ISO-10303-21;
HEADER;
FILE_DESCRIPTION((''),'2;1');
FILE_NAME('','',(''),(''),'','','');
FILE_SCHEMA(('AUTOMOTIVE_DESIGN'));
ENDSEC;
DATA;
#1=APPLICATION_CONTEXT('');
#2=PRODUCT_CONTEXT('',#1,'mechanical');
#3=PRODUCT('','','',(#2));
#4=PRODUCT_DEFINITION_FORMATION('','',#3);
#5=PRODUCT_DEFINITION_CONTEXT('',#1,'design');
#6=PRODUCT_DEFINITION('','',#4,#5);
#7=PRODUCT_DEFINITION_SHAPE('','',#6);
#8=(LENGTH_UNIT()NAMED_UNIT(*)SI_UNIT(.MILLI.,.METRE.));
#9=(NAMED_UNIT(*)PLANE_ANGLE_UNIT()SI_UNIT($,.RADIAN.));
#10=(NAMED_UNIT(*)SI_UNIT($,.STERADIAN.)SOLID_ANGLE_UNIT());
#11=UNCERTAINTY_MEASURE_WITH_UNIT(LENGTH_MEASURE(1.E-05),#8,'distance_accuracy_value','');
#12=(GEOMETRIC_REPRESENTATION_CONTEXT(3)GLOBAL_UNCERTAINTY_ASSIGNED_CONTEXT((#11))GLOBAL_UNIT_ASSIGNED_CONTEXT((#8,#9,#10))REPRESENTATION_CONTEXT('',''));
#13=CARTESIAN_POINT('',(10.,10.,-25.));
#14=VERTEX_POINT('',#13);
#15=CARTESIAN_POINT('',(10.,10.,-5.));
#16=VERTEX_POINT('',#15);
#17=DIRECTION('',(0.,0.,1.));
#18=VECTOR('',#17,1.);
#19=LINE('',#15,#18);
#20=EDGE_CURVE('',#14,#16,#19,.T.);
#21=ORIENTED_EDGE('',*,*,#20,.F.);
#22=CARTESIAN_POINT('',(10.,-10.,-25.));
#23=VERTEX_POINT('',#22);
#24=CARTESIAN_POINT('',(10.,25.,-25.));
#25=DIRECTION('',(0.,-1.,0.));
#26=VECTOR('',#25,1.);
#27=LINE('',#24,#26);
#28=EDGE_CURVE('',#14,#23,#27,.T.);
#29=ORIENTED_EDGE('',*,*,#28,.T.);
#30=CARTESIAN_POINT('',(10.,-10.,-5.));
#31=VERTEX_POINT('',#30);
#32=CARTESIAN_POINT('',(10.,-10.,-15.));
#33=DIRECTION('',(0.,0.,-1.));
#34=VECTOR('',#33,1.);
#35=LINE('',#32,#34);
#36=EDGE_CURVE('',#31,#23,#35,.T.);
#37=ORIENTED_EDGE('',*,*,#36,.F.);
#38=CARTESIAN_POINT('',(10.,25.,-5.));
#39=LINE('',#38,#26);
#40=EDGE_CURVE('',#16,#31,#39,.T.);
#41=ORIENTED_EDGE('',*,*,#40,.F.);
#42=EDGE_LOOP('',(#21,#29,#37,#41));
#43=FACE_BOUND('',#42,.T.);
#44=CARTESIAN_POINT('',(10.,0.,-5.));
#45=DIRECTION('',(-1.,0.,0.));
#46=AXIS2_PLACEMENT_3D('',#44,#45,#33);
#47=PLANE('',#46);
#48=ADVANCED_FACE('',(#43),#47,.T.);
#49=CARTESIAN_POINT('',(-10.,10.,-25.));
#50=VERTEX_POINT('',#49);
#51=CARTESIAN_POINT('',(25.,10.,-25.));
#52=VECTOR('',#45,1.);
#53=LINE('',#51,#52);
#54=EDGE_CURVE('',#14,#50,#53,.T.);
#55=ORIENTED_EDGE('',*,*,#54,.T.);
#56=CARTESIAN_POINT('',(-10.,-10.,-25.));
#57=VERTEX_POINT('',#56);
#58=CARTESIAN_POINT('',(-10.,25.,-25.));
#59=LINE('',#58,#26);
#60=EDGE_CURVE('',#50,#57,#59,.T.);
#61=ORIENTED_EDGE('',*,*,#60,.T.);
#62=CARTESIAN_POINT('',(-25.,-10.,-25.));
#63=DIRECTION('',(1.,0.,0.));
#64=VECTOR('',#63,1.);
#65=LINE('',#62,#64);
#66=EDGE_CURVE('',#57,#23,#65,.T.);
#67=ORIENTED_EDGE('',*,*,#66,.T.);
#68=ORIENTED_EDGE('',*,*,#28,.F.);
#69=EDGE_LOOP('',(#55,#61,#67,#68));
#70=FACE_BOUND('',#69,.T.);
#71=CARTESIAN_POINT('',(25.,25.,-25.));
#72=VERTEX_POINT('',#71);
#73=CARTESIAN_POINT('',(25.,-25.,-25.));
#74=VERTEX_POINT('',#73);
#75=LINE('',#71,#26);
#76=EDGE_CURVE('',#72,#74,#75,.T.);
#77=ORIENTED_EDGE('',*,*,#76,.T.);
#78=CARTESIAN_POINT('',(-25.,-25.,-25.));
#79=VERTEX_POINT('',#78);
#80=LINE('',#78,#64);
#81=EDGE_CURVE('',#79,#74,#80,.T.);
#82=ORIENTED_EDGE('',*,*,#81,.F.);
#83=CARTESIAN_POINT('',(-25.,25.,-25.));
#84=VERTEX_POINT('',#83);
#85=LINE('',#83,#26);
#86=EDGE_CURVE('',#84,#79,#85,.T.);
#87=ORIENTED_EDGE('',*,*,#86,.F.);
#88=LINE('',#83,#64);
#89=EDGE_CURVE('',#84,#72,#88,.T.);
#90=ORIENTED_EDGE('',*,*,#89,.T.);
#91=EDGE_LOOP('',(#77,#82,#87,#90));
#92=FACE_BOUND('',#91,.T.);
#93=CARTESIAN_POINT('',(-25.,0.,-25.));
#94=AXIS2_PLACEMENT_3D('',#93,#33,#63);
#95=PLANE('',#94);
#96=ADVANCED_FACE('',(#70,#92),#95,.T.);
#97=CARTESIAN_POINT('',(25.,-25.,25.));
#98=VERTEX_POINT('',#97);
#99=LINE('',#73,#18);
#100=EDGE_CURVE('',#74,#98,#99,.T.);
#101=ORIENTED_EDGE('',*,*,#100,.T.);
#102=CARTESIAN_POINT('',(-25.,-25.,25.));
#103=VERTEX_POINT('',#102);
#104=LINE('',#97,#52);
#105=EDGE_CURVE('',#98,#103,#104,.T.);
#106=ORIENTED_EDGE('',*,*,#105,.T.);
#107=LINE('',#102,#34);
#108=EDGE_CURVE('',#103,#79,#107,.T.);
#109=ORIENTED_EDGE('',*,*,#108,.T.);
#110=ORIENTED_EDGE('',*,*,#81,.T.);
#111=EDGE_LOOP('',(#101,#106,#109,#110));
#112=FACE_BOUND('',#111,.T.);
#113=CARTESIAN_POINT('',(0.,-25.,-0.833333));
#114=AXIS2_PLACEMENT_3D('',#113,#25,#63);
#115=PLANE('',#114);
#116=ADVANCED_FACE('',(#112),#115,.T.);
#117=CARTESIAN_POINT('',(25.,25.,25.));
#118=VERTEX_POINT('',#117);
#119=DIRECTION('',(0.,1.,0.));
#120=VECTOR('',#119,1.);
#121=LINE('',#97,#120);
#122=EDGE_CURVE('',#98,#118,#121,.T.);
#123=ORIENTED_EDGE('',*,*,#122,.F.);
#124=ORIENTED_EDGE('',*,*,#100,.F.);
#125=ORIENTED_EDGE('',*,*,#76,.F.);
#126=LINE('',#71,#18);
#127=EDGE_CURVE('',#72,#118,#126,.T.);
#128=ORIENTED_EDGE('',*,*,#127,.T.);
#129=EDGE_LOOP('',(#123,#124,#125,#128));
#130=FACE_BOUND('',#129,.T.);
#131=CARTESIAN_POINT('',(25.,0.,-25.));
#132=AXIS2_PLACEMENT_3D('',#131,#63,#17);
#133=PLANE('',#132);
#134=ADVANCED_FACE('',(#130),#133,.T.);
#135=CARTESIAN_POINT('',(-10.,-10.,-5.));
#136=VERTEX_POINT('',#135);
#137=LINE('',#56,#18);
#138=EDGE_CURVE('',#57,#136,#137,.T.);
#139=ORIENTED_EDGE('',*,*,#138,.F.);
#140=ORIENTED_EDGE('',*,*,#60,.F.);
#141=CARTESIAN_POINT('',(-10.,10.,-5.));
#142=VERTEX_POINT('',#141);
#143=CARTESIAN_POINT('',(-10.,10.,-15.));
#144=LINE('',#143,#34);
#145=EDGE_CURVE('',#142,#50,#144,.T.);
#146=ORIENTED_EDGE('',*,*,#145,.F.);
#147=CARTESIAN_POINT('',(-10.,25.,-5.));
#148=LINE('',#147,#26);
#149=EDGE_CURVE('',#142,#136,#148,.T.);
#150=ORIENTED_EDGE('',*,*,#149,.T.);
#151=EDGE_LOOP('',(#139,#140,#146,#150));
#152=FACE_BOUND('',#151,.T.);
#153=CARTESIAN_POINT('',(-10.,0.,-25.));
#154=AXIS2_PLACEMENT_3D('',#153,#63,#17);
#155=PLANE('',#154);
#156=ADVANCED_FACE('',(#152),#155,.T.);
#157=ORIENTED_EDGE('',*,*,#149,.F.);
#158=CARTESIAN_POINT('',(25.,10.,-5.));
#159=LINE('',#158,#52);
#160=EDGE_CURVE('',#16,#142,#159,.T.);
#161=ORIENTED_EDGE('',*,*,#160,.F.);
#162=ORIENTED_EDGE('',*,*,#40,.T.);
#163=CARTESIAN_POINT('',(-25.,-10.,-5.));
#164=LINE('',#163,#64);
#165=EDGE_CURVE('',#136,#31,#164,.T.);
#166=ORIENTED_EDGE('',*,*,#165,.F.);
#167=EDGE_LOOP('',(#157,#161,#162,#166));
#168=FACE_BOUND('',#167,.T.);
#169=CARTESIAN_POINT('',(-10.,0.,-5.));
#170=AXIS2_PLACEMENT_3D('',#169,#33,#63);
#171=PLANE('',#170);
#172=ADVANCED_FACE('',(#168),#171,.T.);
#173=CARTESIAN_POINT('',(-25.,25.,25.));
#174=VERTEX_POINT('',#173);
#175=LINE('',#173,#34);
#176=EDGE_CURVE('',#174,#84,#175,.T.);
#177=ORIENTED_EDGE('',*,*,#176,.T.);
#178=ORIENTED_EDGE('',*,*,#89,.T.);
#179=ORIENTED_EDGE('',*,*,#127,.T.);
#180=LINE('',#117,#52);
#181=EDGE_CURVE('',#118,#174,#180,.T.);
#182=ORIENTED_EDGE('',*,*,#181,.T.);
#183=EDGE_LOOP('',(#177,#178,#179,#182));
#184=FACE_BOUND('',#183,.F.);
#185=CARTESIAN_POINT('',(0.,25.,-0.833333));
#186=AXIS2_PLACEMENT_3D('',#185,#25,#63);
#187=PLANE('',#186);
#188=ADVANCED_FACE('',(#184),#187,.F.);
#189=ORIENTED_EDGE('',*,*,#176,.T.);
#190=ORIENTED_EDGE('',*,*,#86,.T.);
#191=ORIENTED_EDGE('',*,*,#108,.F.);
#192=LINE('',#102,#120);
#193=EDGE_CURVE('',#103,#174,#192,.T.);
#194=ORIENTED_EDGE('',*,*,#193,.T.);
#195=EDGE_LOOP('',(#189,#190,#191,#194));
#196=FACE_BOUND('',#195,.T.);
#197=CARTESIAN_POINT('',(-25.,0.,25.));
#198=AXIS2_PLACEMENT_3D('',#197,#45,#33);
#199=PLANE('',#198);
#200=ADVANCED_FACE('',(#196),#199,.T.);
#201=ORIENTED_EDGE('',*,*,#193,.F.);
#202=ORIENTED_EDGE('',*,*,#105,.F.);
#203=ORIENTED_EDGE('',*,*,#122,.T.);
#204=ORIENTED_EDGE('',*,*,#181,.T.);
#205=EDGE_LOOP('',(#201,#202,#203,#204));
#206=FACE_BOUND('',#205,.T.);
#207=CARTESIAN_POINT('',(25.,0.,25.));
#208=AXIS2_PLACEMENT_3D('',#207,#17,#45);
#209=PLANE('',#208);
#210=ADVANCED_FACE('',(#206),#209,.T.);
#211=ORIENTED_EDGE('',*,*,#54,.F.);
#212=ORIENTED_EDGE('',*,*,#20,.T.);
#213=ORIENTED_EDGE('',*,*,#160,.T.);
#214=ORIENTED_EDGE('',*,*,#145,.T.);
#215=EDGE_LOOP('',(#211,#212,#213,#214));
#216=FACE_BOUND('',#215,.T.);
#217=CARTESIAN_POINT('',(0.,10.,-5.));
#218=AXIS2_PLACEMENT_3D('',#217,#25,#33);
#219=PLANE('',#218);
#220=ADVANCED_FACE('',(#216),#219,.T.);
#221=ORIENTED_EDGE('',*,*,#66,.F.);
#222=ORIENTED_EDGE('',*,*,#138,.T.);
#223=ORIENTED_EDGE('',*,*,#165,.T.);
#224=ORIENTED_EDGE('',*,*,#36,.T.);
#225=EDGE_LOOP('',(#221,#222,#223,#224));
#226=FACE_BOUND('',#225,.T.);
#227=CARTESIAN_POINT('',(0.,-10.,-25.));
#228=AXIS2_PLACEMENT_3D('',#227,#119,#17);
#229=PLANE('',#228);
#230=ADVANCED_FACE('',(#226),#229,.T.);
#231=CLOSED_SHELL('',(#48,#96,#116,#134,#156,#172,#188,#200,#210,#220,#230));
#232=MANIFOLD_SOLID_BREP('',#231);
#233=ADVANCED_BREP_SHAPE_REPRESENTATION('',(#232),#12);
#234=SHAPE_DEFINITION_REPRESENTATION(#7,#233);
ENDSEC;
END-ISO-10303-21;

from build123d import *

# Parameters (mm, degrees)
F1_DEPTH = 25
F3_DEPTH = 25


with BuildPart() as f1:
    # F0 (on Front) → F1 (new body, symmetric)
    with BuildSketch(Plane.XZ):
        Polygon((-25, 25), (-25, -25), (-10, -25), (-10, -5), (10, -5), (10, -25), (25, -25), (25, 25), align=None)
    extrude(amount=F1_DEPTH, both=True)

    # F2 (on Right) → F3 (join, symmetric)
    with BuildSketch(Plane.YZ):
        Polygon((25, -25), (25, 25), (-25, 25), (-25, -25), (-10, -25), (-10, -5), (10, -5), (10, -25), align=None)
    extrude(amount=F3_DEPTH, both=True)


solid = f1.part
